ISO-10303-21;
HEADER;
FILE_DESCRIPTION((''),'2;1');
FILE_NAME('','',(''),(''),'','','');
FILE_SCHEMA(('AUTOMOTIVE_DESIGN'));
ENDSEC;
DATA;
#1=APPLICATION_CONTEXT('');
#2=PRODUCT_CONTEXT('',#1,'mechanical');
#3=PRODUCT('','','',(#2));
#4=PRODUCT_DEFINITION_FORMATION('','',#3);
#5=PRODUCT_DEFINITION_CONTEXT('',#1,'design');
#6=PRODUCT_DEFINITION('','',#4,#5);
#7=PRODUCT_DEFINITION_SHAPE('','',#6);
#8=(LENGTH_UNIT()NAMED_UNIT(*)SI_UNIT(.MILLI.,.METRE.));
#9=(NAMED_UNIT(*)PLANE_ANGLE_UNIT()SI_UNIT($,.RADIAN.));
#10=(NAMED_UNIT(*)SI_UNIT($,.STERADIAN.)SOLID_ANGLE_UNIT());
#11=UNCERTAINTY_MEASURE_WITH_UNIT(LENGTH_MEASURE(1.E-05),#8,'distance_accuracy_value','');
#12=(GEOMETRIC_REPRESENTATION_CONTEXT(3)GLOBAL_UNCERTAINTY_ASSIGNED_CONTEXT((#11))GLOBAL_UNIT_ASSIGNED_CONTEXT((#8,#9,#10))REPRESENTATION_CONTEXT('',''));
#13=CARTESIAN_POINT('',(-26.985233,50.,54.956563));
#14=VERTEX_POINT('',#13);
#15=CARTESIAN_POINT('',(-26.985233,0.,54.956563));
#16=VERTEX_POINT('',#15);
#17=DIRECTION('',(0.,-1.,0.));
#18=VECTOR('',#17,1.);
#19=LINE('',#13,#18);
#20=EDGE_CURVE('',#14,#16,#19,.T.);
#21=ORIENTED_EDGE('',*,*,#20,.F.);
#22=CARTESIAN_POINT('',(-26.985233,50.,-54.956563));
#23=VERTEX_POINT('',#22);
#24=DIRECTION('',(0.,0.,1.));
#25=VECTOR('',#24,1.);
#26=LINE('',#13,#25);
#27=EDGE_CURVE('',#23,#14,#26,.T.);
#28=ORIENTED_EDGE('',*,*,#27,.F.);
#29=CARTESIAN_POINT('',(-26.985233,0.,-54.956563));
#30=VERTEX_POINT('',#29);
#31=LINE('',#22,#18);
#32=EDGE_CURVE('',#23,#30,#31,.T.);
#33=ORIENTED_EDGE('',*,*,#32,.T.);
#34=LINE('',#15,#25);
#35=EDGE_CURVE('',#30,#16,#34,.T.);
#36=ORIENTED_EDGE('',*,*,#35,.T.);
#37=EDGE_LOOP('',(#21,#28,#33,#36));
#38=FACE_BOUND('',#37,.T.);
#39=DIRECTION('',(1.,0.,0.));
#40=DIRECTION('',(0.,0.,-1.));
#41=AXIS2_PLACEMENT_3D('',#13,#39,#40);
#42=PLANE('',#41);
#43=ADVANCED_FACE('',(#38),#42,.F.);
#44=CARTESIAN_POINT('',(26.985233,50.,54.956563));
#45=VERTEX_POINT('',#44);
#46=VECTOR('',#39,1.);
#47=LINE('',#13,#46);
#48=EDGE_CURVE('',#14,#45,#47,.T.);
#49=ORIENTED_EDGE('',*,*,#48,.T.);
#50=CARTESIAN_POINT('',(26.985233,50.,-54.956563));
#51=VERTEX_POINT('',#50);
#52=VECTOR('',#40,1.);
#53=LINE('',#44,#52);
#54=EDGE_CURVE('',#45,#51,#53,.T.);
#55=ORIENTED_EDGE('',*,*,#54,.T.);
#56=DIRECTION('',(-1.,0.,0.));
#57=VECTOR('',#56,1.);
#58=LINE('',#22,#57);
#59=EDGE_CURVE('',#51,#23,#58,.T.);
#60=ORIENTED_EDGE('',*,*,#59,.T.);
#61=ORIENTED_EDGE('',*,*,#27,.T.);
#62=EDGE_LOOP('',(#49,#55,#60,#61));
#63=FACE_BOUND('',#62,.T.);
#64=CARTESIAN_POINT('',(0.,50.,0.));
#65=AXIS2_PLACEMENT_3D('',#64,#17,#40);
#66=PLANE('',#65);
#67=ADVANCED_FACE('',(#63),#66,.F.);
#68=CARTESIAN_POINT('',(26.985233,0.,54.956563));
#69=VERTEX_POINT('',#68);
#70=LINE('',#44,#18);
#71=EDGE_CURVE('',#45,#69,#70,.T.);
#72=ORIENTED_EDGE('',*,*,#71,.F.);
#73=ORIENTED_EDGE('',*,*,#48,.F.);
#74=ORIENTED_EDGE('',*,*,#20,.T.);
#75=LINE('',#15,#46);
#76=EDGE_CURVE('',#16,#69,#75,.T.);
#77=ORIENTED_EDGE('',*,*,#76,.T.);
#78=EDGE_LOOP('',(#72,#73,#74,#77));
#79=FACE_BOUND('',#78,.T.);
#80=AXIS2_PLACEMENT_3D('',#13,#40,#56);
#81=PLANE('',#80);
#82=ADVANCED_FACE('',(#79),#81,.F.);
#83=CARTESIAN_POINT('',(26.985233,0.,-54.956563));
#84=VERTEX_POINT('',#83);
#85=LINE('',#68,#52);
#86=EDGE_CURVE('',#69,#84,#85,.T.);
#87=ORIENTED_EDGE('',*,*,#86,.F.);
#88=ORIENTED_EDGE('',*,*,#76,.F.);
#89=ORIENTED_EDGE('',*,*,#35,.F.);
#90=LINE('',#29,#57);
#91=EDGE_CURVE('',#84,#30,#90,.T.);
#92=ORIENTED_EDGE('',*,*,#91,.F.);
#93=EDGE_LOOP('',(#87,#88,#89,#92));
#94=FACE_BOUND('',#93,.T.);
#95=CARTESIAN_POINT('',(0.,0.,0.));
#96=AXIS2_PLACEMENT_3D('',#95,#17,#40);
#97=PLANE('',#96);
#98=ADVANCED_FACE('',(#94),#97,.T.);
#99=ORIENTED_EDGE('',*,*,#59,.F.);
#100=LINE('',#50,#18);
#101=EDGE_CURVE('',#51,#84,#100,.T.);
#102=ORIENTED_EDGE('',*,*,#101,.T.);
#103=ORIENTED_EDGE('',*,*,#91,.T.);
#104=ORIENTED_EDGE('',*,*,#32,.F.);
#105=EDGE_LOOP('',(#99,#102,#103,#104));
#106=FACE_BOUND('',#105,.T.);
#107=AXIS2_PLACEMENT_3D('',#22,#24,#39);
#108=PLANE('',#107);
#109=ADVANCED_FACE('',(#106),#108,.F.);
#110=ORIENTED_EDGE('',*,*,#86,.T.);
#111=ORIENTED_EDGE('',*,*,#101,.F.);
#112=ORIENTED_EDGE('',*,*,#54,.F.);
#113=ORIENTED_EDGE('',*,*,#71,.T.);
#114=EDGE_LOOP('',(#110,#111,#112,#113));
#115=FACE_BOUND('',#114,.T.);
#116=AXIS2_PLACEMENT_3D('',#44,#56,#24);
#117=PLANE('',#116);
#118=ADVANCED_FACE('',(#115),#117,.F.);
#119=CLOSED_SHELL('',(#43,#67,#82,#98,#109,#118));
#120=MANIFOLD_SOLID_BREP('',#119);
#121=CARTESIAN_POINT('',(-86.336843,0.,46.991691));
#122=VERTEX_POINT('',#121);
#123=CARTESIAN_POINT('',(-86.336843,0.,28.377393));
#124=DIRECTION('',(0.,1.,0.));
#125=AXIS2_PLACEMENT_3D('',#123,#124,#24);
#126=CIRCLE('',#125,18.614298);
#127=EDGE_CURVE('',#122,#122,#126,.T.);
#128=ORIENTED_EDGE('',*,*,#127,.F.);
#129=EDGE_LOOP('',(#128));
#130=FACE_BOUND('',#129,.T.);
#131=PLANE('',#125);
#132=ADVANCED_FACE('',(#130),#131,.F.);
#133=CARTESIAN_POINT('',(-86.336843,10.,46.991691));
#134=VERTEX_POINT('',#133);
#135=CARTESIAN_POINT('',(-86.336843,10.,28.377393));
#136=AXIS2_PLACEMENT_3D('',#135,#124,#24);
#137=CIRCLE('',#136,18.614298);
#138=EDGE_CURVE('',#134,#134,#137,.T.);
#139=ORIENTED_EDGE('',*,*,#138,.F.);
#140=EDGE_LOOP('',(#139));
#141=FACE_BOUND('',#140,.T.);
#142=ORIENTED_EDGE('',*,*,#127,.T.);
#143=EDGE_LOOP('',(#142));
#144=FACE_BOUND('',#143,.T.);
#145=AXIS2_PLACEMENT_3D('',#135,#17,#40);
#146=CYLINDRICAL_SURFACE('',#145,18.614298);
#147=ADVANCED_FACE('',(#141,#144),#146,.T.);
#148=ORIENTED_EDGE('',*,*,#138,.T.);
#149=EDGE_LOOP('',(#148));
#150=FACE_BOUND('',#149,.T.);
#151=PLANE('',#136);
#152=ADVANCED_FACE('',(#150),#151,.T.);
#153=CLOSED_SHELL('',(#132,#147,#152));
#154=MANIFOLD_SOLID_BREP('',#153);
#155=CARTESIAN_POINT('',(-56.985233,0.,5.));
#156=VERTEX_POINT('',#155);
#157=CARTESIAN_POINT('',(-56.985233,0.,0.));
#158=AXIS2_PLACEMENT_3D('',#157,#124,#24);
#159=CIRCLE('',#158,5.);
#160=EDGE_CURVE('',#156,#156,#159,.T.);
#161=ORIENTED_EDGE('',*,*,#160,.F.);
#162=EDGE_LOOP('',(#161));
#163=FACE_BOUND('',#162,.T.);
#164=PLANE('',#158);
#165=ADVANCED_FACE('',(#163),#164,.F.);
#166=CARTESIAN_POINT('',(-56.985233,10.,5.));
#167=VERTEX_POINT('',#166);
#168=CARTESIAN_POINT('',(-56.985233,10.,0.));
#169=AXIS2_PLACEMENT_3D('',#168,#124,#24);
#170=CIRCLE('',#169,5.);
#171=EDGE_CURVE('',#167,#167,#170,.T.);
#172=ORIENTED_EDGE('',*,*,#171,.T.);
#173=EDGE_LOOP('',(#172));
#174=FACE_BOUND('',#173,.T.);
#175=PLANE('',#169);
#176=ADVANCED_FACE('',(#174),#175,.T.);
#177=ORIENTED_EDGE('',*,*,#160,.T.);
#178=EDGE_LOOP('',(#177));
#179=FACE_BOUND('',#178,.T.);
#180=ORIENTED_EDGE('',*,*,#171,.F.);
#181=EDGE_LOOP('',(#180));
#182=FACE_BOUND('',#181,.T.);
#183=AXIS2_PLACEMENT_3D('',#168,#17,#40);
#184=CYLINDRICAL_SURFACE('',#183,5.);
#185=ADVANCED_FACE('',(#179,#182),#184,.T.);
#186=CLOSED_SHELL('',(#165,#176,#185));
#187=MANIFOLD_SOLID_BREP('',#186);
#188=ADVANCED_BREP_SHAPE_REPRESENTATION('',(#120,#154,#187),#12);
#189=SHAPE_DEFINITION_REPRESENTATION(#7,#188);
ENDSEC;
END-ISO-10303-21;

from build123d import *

# Parameters (mm, degrees)
SKETCH_2_W      = 53.97046527
SKETCH_2_H      = 109.913126842
EXTRUDE_1_DEPTH = 50
SKETCH_3_R      = 5
EXTRUDE_2_DEPTH = 10
SKETCH_4_R      = 18.614297515
EXTRUDE_3_DEPTH = 10


with BuildPart() as part:
    # 草图2 → 凸台-拉伸1 (new body)
    with BuildSketch(Plane(origin=(0, 0, 0), x_dir=(1, 0, 0), z_dir=(0, 1, 0))):
        Rectangle(SKETCH_2_W, SKETCH_2_H)
    extrude(amount=EXTRUDE_1_DEPTH)


with BuildPart() as body_2:
    # 草图3 → 凸台-拉伸2 (new body)
    with BuildSketch(Plane(origin=(0, 0, 0), x_dir=(1, 0, 0), z_dir=(0, 1, 0))):
        with Locations(Location((-56.985232635, 0, 0), (0, 0, 270))):
            Circle(SKETCH_3_R)
    extrude(amount=EXTRUDE_2_DEPTH)


with BuildPart() as body_3:
    # 草图4 → 凸台-拉伸3 (new body)
    with BuildSketch(Plane(origin=(0, 0, 0), x_dir=(1, 0, 0), z_dir=(0, 1, 0))):
        with Locations(Location((-86.336843383, -28.377393169, 0), (0, 0, 270))):
            Circle(SKETCH_4_R)
    extrude(amount=EXTRUDE_3_DEPTH)


solid = Compound([part.part, body_2.part, body_3.part])
